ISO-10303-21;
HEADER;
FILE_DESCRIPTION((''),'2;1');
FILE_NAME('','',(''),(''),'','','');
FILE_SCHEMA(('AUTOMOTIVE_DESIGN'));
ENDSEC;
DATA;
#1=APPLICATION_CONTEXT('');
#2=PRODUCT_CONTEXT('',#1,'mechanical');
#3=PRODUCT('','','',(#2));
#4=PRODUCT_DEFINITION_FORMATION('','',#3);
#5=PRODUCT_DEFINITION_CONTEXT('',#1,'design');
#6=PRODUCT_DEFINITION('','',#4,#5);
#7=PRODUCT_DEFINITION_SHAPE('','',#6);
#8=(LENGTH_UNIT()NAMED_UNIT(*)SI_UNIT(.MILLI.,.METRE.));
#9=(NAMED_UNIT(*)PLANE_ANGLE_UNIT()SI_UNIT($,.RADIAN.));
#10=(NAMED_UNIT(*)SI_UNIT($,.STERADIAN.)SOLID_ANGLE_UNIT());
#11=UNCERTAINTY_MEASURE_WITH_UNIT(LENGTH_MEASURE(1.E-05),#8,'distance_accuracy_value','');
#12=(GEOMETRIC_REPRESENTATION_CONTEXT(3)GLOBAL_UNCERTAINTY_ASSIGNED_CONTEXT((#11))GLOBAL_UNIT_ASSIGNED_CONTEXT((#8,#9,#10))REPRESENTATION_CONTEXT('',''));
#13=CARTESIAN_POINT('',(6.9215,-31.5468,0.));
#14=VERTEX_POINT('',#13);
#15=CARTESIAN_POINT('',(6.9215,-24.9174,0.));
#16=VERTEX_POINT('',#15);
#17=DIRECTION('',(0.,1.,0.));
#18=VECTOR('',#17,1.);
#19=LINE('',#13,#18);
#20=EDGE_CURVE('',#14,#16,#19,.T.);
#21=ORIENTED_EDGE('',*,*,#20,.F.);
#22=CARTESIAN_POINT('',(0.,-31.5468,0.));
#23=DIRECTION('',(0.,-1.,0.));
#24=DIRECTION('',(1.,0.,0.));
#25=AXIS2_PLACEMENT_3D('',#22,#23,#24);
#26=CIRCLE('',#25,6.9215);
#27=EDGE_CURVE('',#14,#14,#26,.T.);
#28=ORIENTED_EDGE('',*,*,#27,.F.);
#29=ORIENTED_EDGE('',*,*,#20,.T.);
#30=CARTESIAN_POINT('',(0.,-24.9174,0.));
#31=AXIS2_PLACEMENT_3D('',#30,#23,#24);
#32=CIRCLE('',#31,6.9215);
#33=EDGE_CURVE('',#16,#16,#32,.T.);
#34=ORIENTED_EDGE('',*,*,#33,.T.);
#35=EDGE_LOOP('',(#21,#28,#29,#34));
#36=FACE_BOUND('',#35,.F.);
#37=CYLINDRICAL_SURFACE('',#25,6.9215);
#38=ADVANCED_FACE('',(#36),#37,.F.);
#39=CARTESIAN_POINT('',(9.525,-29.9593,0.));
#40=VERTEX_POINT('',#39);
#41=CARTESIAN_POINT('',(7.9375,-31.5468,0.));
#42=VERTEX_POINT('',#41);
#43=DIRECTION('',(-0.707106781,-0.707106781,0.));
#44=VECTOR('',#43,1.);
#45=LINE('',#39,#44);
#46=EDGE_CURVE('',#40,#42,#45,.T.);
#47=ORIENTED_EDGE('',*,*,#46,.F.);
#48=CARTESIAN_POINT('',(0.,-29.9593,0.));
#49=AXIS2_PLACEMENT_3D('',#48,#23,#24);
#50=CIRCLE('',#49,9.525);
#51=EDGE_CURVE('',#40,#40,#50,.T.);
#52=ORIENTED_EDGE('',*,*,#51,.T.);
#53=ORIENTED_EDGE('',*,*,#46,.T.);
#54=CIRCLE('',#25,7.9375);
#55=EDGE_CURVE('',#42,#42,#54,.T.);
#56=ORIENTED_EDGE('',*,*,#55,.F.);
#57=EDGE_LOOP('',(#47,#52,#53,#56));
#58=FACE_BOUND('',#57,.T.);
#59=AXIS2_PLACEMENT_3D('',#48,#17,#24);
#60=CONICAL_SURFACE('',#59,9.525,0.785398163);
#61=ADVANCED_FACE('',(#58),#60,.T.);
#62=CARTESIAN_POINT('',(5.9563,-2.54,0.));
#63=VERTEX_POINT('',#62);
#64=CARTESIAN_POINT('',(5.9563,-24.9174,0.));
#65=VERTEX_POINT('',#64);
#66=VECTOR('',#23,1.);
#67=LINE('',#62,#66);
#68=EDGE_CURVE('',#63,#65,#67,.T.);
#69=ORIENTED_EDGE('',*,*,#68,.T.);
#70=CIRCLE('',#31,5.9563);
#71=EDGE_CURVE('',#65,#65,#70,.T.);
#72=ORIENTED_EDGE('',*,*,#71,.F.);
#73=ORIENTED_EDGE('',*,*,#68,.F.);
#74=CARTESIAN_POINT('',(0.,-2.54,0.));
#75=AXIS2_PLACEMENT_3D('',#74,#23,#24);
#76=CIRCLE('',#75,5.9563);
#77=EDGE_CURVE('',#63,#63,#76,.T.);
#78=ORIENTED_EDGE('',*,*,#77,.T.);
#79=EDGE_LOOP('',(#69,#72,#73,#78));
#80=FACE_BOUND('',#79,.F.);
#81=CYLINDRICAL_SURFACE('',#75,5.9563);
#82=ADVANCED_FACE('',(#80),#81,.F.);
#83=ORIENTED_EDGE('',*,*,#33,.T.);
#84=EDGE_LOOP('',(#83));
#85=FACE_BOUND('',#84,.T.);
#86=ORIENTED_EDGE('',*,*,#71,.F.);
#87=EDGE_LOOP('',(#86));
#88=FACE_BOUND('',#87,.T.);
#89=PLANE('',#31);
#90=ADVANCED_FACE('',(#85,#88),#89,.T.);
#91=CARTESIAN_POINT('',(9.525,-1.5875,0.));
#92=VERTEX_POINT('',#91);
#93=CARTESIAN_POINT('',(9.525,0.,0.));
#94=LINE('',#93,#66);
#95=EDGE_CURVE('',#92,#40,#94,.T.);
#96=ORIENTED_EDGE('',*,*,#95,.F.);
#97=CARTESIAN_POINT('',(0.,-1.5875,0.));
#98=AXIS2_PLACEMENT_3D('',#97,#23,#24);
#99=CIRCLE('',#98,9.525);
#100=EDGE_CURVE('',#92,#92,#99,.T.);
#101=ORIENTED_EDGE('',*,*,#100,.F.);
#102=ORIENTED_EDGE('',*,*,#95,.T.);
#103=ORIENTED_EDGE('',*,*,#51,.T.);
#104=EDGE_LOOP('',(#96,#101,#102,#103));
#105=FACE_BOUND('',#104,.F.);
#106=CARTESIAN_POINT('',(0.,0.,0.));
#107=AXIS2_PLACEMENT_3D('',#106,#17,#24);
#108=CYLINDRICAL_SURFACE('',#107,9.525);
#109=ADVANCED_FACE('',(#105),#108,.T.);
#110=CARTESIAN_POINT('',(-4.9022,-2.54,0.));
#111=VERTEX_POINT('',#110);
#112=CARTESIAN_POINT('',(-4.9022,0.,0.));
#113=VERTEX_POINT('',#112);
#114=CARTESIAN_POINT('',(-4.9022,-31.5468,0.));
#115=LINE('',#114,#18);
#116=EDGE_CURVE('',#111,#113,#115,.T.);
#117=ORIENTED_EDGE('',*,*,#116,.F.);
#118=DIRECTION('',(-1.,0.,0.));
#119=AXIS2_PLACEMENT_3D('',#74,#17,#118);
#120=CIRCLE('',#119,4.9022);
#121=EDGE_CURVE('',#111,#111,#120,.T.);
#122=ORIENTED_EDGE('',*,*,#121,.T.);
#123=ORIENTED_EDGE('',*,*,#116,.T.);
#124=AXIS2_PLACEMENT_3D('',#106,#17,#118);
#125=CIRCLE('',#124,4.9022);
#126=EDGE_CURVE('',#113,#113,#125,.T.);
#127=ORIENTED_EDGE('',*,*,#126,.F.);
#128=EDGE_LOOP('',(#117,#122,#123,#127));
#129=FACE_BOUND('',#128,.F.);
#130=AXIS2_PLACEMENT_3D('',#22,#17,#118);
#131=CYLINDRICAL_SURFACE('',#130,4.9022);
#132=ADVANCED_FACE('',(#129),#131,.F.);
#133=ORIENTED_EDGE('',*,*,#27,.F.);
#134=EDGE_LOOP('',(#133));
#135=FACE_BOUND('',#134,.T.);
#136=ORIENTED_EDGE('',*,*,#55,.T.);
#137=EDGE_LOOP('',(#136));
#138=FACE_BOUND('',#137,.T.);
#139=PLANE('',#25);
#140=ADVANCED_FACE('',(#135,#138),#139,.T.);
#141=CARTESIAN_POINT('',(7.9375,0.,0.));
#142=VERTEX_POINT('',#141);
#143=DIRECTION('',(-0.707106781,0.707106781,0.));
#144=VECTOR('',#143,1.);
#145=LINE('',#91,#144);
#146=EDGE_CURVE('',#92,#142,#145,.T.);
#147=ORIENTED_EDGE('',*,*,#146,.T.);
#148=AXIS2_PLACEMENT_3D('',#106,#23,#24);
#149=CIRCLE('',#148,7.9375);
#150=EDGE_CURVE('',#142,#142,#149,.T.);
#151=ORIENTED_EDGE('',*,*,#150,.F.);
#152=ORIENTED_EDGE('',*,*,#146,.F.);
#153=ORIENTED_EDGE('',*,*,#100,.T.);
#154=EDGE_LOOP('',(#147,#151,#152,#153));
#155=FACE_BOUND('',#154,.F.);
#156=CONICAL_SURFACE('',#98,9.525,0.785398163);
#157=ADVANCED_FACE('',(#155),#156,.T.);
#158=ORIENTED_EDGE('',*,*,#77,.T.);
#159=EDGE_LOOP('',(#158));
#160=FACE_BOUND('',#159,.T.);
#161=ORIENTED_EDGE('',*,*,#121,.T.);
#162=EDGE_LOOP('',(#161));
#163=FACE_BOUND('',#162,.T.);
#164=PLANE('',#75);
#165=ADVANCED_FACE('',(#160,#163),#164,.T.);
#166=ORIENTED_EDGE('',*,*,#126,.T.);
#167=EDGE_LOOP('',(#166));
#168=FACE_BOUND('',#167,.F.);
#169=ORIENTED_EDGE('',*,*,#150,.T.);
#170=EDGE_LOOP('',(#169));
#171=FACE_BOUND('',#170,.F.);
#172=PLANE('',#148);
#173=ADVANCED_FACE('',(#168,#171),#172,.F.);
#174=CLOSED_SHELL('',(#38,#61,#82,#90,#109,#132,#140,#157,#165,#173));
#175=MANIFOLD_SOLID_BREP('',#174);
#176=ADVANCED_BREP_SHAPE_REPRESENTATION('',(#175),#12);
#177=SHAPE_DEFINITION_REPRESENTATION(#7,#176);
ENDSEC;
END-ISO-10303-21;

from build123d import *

# Parameters (mm, degrees)
F0_R           = 9.525
F1_DEPTH       = 31.5468
F3_D           = 9.8044
F3_CBORE_D     = 11.9126
F3_CBORE_DEPTH = 29.0068
F4_R           = 6.9215
F5_DEPTH       = 6.6294
F6_SIZE2       = 1.5875
F6_SIZE        = 1.5875


with BuildPart() as f1:
    # F0 (on Front) → F1 (new body)
    with BuildSketch(Plane.XZ):
        Circle(F0_R)
    extrude(amount=F1_DEPTH)

    # F3 (through all)
    with Locations(Plane.XZ.offset(31.5468)):
        with Locations((0, 0)):
            CounterBoreHole(F3_D / 2, F3_CBORE_D / 2, F3_CBORE_DEPTH)

    # F4 (on face) → F5 (cut)
    with BuildSketch(Plane.XZ.offset(31.5468)):
        Circle(F4_R)
    extrude(amount=-F5_DEPTH, mode=Mode.SUBTRACT)

    # F6
    f6_edges = [f1.edges().sort_by_distance(p)[0] for p in [
        (-9.525, -31.5468, 0),
        (-9.525, 0, 0),
    ]]
    chamfer(f6_edges, length=F6_SIZE, length2=F6_SIZE2)


solid = f1.part
